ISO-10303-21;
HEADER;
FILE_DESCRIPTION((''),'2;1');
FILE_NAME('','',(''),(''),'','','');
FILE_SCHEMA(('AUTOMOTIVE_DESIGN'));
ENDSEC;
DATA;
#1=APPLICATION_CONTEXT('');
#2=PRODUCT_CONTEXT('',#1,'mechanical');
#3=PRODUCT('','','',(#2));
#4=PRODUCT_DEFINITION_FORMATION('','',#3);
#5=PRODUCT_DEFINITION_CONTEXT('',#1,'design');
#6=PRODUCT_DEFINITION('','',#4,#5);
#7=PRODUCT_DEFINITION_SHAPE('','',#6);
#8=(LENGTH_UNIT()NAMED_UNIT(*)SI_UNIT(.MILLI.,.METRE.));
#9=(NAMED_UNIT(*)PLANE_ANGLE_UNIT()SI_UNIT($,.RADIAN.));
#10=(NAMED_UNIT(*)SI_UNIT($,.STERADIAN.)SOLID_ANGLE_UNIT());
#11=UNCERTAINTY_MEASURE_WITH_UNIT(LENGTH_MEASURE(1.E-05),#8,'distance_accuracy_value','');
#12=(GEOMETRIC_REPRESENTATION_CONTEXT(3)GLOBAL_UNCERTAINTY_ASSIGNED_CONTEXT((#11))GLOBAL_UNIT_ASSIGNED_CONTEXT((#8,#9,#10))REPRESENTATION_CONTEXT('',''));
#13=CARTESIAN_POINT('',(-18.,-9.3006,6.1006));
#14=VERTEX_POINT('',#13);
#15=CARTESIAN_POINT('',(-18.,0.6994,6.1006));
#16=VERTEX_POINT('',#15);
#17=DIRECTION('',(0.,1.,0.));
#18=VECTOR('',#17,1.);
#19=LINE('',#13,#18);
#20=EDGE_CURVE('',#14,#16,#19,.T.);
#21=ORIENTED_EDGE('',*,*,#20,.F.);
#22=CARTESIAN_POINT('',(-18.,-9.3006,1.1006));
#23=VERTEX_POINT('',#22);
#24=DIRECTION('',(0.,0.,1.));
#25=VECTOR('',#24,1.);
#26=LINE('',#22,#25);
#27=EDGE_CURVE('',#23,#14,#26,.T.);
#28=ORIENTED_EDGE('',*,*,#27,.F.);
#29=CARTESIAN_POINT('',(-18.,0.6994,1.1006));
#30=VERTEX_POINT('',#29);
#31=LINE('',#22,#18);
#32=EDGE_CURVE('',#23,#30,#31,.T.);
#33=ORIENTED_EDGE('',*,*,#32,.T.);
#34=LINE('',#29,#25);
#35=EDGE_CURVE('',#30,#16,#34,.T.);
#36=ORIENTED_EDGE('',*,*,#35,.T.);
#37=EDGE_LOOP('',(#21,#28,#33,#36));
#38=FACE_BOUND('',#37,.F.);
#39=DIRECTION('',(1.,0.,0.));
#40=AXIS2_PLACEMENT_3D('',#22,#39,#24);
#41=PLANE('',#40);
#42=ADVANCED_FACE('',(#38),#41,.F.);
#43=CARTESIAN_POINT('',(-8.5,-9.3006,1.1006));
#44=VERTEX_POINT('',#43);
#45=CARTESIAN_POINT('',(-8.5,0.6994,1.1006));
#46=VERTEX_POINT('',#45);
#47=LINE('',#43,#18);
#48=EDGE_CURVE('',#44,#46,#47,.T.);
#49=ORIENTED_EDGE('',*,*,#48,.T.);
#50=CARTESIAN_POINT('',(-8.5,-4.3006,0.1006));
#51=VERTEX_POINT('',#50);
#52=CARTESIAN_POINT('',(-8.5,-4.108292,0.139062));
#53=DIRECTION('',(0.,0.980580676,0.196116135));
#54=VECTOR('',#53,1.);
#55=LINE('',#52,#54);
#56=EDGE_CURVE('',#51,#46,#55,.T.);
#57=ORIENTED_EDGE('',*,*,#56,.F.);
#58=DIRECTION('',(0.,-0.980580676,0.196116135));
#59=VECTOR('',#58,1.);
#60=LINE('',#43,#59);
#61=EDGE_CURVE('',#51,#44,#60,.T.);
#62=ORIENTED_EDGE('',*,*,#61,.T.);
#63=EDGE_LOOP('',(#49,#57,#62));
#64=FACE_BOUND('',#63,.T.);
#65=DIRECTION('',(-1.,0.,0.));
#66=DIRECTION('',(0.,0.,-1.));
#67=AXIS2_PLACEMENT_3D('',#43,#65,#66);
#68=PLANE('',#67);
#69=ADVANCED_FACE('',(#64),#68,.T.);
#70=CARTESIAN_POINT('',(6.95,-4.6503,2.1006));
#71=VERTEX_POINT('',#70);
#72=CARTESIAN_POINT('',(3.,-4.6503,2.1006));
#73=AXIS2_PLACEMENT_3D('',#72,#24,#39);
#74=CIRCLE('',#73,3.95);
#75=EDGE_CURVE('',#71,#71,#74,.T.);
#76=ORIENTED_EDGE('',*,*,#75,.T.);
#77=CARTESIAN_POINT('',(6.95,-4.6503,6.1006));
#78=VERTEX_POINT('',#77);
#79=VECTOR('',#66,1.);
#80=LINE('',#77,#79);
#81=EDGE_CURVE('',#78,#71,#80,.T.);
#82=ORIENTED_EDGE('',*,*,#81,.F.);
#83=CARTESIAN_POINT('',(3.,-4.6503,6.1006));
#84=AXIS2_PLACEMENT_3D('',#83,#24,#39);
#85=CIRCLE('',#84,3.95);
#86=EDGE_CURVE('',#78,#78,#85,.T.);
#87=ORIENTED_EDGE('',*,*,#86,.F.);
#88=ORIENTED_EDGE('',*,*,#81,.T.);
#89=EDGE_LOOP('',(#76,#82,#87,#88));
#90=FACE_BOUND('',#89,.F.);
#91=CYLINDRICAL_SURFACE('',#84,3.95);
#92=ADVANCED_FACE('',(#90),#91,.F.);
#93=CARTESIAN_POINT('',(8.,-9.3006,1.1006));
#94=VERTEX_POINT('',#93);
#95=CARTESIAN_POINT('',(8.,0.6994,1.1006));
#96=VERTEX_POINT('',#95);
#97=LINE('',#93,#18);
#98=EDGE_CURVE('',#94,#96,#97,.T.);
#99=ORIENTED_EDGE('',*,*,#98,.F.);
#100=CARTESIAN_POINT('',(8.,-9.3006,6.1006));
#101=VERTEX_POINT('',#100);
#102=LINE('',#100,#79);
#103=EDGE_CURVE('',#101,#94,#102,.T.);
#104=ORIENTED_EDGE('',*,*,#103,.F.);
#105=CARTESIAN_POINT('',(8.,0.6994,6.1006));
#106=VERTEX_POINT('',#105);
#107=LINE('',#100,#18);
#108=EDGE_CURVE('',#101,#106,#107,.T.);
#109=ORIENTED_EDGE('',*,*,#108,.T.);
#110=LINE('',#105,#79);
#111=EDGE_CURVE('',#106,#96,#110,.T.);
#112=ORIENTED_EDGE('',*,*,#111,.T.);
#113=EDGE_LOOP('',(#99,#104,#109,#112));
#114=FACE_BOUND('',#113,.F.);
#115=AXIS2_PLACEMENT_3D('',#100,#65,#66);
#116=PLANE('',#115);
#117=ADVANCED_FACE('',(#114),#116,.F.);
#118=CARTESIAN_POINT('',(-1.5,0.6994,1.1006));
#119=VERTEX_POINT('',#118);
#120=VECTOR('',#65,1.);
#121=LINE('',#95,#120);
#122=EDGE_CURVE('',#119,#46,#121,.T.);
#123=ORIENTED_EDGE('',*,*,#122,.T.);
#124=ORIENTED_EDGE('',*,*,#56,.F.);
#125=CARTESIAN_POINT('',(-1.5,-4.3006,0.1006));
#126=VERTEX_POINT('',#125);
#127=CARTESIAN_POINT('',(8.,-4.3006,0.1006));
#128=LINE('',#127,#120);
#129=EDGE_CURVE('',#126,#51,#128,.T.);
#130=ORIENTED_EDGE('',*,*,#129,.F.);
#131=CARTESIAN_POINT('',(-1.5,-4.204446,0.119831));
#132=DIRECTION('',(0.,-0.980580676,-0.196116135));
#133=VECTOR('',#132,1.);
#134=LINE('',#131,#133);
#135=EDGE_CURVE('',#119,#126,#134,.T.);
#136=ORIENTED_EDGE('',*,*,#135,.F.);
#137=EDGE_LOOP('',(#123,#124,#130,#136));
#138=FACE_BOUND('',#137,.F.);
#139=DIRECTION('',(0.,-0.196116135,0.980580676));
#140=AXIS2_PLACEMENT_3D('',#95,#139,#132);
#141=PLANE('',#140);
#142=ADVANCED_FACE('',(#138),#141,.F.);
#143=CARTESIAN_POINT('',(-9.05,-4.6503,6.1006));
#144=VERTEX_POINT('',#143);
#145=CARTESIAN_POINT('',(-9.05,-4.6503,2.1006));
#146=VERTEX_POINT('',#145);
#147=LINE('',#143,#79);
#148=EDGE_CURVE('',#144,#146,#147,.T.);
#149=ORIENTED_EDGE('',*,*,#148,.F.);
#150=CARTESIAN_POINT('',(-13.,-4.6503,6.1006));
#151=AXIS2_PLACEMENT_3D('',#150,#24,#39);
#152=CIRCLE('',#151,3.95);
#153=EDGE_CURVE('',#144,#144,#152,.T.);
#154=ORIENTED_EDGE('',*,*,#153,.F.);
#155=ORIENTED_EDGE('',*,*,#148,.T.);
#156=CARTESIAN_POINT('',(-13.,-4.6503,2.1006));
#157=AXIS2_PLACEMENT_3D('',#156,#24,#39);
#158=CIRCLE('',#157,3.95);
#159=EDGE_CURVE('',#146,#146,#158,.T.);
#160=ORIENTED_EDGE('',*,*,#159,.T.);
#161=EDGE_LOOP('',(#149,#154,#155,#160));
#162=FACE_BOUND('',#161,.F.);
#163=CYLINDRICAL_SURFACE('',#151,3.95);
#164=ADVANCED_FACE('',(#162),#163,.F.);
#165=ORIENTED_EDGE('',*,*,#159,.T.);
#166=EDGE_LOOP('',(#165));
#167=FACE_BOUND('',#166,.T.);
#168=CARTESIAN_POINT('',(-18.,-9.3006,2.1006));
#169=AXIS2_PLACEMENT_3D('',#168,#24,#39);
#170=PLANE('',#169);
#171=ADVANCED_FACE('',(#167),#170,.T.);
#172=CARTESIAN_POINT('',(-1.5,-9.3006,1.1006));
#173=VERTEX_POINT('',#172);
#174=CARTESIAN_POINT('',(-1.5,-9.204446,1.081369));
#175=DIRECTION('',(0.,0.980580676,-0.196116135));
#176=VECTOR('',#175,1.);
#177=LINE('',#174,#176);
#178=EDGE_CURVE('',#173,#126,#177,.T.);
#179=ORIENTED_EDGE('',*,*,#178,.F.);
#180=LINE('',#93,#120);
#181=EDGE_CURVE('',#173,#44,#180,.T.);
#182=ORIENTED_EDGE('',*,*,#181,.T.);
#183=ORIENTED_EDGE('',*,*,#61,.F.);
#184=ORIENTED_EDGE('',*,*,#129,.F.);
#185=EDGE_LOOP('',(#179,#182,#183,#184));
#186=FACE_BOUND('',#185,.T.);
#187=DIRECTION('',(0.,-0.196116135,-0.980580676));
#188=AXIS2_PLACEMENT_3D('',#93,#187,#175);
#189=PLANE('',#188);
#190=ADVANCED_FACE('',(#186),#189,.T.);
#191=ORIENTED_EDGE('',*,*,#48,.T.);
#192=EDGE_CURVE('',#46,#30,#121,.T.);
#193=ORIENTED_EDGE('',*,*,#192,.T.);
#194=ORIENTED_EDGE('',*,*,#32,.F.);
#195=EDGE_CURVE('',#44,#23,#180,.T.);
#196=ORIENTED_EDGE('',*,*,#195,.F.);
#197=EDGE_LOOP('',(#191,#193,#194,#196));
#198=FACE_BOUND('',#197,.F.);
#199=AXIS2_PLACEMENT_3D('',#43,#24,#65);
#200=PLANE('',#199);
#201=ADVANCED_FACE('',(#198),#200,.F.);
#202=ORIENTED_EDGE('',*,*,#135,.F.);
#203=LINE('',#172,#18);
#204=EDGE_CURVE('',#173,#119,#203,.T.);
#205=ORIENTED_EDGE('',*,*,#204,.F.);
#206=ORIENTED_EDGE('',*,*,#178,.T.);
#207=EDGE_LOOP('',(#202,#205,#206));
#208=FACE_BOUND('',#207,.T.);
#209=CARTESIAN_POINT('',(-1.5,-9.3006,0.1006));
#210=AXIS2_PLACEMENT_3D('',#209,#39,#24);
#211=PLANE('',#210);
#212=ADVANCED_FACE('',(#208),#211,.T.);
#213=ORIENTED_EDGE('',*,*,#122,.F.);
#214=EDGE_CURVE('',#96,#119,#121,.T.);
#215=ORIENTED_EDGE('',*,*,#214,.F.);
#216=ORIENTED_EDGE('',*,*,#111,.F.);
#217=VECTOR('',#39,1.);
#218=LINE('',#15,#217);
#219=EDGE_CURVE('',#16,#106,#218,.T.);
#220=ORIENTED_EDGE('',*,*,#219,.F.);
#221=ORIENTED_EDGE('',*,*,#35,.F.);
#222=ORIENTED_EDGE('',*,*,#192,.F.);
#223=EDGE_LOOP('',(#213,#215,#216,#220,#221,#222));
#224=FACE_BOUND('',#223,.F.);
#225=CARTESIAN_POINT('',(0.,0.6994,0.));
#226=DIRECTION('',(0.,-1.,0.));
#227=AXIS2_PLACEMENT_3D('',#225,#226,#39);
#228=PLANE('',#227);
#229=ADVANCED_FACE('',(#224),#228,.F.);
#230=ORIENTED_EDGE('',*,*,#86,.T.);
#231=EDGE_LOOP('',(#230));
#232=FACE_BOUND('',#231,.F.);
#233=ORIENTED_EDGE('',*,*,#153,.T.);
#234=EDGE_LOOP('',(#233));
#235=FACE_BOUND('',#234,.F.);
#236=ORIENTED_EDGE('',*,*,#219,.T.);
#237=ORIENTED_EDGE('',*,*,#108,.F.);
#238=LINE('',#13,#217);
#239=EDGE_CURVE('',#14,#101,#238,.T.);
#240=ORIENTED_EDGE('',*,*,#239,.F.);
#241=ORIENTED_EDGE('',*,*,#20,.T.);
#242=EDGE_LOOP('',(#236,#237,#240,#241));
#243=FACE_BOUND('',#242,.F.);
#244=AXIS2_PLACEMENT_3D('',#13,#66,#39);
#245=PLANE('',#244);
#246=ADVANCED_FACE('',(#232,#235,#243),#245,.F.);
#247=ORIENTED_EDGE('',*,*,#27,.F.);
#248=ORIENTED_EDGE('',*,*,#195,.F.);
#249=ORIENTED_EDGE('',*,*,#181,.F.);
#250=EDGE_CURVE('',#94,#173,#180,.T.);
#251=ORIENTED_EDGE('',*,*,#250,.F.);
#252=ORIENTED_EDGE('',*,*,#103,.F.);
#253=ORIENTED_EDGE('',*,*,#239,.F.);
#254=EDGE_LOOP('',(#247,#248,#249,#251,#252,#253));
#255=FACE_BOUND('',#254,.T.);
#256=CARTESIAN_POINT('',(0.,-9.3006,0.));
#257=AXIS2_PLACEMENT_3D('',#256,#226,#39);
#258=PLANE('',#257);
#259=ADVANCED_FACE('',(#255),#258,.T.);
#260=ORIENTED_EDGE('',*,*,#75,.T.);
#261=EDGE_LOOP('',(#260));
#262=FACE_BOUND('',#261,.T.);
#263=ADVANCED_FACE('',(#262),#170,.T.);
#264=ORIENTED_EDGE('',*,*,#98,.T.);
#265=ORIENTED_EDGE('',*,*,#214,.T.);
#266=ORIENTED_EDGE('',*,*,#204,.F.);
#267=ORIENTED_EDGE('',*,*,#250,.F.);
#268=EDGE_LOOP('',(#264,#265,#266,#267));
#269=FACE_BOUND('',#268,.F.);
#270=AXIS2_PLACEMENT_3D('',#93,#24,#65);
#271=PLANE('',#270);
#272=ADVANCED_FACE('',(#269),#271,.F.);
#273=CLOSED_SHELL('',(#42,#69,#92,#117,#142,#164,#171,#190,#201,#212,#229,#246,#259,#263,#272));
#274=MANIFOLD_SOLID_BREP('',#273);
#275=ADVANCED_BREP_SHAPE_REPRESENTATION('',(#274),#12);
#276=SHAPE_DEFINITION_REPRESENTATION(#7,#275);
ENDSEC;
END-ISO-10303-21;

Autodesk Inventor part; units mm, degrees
ref_plane "YZ Plane" through (0, 0, 0) normal (1, 0, 0) x (0, 1, 0)
ref_plane "XZ Plane" through (0, 0, 0) normal (0, 1, 0) x (-1, 0, 0)
ref_plane "XY Plane" through (0, 0, 0) normal (0, 0, 1) x (1, 0, 0)
ref_plane "Work Plane1" through (0, -9.3006, 0) normal (0, -1, 0) x (1, 0, 0)
sketch "Sketch1" plane through (0, -9.3006, 0) normal (0, -1, 0) x (1, 0, 0)
  line L0 (8, -4.5373) -> (-18, -4.5373) projected
  line L1 (8, 0) -> (8, -4.5373) projected
  line L2 (8, 0) -> (-18, 0) projected
  line L3 (-18, -4.5373) -> (-18, 0) projected
  line L4 (-18, 6.1006) -> (8, 6.1006)
  line L5 (8, 6.1006) -> (8, 1.1006)
  line L6 (8, 1.1006) -> (-18, 1.1006)
  line L7 (-18, 1.1006) -> (-18, 6.1006)
  line L8 (-8.5, 0.1006) -> (-1.5, 0.1006)
  line L9 (-1.5, 0.1006) -> (-1.5, 1.1006)
  line L10 (-1.5, 1.1006) -> (-8.5, 1.1006)
  line L11 (-8.5, 1.1006) -> (-8.5, 0.1006)
  line L12 (-8.5, 0.1006) -> (-1.5, 1.1006) construction
  line L13 (-1.5, 0.1006) -> (-8.5, 1.1006) construction
  point P0 (0, 0)
  point P1 (-5, 0.6006)
  dimension "d0" = 5
  dimension "d1" = 7
  dimension "d2" = 1
  dimension "d3" = 0
extrude "Extrusion1" add sketch "Sketch1" against normal blind 10 contours L4 L5 L6 L7 | L6 L9 L8 L11
sketch "Sketch2" plane through (-18, -9.3006, 6.1006) normal (0, 0, 1) x (1, 0, 0)
  circle A0 centre (5, 4.6503) radius 3.95 projected
  circle A1 centre (21, 4.6503) radius 3.95 projected
  point P0 (18, 9.3006)
extrude "Extrusion2" cut sketch "Sketch2" against normal blind 4
sketch "Sketch3" plane through (8, -9.3006, 6.1006) normal (1, 0, 0) x (0, 0, -1)
  line L0 (6, 0) -> (5, 0) projected
  line L1 (6, 0) -> (6, 10) projected
  line L2 (5, 10) -> (6, 10) projected
  line L3 (5, 0) -> (5, 10) construction
  line L4 (5, 0) -> (6, 5)
  line L5 (6, 0) -> (6, 10) projected
  line L6 (5, 0) -> (5, 10) construction
  line L7 (5, 10) -> (6, 5)
  point P0 (6.1006, 9.3006)
extrude "Extrusion3" cut sketch "Sketch3" against normal through all
properties part number "20_Cube_Insert_Felxuremanipulator_zonly_fiberlid"
